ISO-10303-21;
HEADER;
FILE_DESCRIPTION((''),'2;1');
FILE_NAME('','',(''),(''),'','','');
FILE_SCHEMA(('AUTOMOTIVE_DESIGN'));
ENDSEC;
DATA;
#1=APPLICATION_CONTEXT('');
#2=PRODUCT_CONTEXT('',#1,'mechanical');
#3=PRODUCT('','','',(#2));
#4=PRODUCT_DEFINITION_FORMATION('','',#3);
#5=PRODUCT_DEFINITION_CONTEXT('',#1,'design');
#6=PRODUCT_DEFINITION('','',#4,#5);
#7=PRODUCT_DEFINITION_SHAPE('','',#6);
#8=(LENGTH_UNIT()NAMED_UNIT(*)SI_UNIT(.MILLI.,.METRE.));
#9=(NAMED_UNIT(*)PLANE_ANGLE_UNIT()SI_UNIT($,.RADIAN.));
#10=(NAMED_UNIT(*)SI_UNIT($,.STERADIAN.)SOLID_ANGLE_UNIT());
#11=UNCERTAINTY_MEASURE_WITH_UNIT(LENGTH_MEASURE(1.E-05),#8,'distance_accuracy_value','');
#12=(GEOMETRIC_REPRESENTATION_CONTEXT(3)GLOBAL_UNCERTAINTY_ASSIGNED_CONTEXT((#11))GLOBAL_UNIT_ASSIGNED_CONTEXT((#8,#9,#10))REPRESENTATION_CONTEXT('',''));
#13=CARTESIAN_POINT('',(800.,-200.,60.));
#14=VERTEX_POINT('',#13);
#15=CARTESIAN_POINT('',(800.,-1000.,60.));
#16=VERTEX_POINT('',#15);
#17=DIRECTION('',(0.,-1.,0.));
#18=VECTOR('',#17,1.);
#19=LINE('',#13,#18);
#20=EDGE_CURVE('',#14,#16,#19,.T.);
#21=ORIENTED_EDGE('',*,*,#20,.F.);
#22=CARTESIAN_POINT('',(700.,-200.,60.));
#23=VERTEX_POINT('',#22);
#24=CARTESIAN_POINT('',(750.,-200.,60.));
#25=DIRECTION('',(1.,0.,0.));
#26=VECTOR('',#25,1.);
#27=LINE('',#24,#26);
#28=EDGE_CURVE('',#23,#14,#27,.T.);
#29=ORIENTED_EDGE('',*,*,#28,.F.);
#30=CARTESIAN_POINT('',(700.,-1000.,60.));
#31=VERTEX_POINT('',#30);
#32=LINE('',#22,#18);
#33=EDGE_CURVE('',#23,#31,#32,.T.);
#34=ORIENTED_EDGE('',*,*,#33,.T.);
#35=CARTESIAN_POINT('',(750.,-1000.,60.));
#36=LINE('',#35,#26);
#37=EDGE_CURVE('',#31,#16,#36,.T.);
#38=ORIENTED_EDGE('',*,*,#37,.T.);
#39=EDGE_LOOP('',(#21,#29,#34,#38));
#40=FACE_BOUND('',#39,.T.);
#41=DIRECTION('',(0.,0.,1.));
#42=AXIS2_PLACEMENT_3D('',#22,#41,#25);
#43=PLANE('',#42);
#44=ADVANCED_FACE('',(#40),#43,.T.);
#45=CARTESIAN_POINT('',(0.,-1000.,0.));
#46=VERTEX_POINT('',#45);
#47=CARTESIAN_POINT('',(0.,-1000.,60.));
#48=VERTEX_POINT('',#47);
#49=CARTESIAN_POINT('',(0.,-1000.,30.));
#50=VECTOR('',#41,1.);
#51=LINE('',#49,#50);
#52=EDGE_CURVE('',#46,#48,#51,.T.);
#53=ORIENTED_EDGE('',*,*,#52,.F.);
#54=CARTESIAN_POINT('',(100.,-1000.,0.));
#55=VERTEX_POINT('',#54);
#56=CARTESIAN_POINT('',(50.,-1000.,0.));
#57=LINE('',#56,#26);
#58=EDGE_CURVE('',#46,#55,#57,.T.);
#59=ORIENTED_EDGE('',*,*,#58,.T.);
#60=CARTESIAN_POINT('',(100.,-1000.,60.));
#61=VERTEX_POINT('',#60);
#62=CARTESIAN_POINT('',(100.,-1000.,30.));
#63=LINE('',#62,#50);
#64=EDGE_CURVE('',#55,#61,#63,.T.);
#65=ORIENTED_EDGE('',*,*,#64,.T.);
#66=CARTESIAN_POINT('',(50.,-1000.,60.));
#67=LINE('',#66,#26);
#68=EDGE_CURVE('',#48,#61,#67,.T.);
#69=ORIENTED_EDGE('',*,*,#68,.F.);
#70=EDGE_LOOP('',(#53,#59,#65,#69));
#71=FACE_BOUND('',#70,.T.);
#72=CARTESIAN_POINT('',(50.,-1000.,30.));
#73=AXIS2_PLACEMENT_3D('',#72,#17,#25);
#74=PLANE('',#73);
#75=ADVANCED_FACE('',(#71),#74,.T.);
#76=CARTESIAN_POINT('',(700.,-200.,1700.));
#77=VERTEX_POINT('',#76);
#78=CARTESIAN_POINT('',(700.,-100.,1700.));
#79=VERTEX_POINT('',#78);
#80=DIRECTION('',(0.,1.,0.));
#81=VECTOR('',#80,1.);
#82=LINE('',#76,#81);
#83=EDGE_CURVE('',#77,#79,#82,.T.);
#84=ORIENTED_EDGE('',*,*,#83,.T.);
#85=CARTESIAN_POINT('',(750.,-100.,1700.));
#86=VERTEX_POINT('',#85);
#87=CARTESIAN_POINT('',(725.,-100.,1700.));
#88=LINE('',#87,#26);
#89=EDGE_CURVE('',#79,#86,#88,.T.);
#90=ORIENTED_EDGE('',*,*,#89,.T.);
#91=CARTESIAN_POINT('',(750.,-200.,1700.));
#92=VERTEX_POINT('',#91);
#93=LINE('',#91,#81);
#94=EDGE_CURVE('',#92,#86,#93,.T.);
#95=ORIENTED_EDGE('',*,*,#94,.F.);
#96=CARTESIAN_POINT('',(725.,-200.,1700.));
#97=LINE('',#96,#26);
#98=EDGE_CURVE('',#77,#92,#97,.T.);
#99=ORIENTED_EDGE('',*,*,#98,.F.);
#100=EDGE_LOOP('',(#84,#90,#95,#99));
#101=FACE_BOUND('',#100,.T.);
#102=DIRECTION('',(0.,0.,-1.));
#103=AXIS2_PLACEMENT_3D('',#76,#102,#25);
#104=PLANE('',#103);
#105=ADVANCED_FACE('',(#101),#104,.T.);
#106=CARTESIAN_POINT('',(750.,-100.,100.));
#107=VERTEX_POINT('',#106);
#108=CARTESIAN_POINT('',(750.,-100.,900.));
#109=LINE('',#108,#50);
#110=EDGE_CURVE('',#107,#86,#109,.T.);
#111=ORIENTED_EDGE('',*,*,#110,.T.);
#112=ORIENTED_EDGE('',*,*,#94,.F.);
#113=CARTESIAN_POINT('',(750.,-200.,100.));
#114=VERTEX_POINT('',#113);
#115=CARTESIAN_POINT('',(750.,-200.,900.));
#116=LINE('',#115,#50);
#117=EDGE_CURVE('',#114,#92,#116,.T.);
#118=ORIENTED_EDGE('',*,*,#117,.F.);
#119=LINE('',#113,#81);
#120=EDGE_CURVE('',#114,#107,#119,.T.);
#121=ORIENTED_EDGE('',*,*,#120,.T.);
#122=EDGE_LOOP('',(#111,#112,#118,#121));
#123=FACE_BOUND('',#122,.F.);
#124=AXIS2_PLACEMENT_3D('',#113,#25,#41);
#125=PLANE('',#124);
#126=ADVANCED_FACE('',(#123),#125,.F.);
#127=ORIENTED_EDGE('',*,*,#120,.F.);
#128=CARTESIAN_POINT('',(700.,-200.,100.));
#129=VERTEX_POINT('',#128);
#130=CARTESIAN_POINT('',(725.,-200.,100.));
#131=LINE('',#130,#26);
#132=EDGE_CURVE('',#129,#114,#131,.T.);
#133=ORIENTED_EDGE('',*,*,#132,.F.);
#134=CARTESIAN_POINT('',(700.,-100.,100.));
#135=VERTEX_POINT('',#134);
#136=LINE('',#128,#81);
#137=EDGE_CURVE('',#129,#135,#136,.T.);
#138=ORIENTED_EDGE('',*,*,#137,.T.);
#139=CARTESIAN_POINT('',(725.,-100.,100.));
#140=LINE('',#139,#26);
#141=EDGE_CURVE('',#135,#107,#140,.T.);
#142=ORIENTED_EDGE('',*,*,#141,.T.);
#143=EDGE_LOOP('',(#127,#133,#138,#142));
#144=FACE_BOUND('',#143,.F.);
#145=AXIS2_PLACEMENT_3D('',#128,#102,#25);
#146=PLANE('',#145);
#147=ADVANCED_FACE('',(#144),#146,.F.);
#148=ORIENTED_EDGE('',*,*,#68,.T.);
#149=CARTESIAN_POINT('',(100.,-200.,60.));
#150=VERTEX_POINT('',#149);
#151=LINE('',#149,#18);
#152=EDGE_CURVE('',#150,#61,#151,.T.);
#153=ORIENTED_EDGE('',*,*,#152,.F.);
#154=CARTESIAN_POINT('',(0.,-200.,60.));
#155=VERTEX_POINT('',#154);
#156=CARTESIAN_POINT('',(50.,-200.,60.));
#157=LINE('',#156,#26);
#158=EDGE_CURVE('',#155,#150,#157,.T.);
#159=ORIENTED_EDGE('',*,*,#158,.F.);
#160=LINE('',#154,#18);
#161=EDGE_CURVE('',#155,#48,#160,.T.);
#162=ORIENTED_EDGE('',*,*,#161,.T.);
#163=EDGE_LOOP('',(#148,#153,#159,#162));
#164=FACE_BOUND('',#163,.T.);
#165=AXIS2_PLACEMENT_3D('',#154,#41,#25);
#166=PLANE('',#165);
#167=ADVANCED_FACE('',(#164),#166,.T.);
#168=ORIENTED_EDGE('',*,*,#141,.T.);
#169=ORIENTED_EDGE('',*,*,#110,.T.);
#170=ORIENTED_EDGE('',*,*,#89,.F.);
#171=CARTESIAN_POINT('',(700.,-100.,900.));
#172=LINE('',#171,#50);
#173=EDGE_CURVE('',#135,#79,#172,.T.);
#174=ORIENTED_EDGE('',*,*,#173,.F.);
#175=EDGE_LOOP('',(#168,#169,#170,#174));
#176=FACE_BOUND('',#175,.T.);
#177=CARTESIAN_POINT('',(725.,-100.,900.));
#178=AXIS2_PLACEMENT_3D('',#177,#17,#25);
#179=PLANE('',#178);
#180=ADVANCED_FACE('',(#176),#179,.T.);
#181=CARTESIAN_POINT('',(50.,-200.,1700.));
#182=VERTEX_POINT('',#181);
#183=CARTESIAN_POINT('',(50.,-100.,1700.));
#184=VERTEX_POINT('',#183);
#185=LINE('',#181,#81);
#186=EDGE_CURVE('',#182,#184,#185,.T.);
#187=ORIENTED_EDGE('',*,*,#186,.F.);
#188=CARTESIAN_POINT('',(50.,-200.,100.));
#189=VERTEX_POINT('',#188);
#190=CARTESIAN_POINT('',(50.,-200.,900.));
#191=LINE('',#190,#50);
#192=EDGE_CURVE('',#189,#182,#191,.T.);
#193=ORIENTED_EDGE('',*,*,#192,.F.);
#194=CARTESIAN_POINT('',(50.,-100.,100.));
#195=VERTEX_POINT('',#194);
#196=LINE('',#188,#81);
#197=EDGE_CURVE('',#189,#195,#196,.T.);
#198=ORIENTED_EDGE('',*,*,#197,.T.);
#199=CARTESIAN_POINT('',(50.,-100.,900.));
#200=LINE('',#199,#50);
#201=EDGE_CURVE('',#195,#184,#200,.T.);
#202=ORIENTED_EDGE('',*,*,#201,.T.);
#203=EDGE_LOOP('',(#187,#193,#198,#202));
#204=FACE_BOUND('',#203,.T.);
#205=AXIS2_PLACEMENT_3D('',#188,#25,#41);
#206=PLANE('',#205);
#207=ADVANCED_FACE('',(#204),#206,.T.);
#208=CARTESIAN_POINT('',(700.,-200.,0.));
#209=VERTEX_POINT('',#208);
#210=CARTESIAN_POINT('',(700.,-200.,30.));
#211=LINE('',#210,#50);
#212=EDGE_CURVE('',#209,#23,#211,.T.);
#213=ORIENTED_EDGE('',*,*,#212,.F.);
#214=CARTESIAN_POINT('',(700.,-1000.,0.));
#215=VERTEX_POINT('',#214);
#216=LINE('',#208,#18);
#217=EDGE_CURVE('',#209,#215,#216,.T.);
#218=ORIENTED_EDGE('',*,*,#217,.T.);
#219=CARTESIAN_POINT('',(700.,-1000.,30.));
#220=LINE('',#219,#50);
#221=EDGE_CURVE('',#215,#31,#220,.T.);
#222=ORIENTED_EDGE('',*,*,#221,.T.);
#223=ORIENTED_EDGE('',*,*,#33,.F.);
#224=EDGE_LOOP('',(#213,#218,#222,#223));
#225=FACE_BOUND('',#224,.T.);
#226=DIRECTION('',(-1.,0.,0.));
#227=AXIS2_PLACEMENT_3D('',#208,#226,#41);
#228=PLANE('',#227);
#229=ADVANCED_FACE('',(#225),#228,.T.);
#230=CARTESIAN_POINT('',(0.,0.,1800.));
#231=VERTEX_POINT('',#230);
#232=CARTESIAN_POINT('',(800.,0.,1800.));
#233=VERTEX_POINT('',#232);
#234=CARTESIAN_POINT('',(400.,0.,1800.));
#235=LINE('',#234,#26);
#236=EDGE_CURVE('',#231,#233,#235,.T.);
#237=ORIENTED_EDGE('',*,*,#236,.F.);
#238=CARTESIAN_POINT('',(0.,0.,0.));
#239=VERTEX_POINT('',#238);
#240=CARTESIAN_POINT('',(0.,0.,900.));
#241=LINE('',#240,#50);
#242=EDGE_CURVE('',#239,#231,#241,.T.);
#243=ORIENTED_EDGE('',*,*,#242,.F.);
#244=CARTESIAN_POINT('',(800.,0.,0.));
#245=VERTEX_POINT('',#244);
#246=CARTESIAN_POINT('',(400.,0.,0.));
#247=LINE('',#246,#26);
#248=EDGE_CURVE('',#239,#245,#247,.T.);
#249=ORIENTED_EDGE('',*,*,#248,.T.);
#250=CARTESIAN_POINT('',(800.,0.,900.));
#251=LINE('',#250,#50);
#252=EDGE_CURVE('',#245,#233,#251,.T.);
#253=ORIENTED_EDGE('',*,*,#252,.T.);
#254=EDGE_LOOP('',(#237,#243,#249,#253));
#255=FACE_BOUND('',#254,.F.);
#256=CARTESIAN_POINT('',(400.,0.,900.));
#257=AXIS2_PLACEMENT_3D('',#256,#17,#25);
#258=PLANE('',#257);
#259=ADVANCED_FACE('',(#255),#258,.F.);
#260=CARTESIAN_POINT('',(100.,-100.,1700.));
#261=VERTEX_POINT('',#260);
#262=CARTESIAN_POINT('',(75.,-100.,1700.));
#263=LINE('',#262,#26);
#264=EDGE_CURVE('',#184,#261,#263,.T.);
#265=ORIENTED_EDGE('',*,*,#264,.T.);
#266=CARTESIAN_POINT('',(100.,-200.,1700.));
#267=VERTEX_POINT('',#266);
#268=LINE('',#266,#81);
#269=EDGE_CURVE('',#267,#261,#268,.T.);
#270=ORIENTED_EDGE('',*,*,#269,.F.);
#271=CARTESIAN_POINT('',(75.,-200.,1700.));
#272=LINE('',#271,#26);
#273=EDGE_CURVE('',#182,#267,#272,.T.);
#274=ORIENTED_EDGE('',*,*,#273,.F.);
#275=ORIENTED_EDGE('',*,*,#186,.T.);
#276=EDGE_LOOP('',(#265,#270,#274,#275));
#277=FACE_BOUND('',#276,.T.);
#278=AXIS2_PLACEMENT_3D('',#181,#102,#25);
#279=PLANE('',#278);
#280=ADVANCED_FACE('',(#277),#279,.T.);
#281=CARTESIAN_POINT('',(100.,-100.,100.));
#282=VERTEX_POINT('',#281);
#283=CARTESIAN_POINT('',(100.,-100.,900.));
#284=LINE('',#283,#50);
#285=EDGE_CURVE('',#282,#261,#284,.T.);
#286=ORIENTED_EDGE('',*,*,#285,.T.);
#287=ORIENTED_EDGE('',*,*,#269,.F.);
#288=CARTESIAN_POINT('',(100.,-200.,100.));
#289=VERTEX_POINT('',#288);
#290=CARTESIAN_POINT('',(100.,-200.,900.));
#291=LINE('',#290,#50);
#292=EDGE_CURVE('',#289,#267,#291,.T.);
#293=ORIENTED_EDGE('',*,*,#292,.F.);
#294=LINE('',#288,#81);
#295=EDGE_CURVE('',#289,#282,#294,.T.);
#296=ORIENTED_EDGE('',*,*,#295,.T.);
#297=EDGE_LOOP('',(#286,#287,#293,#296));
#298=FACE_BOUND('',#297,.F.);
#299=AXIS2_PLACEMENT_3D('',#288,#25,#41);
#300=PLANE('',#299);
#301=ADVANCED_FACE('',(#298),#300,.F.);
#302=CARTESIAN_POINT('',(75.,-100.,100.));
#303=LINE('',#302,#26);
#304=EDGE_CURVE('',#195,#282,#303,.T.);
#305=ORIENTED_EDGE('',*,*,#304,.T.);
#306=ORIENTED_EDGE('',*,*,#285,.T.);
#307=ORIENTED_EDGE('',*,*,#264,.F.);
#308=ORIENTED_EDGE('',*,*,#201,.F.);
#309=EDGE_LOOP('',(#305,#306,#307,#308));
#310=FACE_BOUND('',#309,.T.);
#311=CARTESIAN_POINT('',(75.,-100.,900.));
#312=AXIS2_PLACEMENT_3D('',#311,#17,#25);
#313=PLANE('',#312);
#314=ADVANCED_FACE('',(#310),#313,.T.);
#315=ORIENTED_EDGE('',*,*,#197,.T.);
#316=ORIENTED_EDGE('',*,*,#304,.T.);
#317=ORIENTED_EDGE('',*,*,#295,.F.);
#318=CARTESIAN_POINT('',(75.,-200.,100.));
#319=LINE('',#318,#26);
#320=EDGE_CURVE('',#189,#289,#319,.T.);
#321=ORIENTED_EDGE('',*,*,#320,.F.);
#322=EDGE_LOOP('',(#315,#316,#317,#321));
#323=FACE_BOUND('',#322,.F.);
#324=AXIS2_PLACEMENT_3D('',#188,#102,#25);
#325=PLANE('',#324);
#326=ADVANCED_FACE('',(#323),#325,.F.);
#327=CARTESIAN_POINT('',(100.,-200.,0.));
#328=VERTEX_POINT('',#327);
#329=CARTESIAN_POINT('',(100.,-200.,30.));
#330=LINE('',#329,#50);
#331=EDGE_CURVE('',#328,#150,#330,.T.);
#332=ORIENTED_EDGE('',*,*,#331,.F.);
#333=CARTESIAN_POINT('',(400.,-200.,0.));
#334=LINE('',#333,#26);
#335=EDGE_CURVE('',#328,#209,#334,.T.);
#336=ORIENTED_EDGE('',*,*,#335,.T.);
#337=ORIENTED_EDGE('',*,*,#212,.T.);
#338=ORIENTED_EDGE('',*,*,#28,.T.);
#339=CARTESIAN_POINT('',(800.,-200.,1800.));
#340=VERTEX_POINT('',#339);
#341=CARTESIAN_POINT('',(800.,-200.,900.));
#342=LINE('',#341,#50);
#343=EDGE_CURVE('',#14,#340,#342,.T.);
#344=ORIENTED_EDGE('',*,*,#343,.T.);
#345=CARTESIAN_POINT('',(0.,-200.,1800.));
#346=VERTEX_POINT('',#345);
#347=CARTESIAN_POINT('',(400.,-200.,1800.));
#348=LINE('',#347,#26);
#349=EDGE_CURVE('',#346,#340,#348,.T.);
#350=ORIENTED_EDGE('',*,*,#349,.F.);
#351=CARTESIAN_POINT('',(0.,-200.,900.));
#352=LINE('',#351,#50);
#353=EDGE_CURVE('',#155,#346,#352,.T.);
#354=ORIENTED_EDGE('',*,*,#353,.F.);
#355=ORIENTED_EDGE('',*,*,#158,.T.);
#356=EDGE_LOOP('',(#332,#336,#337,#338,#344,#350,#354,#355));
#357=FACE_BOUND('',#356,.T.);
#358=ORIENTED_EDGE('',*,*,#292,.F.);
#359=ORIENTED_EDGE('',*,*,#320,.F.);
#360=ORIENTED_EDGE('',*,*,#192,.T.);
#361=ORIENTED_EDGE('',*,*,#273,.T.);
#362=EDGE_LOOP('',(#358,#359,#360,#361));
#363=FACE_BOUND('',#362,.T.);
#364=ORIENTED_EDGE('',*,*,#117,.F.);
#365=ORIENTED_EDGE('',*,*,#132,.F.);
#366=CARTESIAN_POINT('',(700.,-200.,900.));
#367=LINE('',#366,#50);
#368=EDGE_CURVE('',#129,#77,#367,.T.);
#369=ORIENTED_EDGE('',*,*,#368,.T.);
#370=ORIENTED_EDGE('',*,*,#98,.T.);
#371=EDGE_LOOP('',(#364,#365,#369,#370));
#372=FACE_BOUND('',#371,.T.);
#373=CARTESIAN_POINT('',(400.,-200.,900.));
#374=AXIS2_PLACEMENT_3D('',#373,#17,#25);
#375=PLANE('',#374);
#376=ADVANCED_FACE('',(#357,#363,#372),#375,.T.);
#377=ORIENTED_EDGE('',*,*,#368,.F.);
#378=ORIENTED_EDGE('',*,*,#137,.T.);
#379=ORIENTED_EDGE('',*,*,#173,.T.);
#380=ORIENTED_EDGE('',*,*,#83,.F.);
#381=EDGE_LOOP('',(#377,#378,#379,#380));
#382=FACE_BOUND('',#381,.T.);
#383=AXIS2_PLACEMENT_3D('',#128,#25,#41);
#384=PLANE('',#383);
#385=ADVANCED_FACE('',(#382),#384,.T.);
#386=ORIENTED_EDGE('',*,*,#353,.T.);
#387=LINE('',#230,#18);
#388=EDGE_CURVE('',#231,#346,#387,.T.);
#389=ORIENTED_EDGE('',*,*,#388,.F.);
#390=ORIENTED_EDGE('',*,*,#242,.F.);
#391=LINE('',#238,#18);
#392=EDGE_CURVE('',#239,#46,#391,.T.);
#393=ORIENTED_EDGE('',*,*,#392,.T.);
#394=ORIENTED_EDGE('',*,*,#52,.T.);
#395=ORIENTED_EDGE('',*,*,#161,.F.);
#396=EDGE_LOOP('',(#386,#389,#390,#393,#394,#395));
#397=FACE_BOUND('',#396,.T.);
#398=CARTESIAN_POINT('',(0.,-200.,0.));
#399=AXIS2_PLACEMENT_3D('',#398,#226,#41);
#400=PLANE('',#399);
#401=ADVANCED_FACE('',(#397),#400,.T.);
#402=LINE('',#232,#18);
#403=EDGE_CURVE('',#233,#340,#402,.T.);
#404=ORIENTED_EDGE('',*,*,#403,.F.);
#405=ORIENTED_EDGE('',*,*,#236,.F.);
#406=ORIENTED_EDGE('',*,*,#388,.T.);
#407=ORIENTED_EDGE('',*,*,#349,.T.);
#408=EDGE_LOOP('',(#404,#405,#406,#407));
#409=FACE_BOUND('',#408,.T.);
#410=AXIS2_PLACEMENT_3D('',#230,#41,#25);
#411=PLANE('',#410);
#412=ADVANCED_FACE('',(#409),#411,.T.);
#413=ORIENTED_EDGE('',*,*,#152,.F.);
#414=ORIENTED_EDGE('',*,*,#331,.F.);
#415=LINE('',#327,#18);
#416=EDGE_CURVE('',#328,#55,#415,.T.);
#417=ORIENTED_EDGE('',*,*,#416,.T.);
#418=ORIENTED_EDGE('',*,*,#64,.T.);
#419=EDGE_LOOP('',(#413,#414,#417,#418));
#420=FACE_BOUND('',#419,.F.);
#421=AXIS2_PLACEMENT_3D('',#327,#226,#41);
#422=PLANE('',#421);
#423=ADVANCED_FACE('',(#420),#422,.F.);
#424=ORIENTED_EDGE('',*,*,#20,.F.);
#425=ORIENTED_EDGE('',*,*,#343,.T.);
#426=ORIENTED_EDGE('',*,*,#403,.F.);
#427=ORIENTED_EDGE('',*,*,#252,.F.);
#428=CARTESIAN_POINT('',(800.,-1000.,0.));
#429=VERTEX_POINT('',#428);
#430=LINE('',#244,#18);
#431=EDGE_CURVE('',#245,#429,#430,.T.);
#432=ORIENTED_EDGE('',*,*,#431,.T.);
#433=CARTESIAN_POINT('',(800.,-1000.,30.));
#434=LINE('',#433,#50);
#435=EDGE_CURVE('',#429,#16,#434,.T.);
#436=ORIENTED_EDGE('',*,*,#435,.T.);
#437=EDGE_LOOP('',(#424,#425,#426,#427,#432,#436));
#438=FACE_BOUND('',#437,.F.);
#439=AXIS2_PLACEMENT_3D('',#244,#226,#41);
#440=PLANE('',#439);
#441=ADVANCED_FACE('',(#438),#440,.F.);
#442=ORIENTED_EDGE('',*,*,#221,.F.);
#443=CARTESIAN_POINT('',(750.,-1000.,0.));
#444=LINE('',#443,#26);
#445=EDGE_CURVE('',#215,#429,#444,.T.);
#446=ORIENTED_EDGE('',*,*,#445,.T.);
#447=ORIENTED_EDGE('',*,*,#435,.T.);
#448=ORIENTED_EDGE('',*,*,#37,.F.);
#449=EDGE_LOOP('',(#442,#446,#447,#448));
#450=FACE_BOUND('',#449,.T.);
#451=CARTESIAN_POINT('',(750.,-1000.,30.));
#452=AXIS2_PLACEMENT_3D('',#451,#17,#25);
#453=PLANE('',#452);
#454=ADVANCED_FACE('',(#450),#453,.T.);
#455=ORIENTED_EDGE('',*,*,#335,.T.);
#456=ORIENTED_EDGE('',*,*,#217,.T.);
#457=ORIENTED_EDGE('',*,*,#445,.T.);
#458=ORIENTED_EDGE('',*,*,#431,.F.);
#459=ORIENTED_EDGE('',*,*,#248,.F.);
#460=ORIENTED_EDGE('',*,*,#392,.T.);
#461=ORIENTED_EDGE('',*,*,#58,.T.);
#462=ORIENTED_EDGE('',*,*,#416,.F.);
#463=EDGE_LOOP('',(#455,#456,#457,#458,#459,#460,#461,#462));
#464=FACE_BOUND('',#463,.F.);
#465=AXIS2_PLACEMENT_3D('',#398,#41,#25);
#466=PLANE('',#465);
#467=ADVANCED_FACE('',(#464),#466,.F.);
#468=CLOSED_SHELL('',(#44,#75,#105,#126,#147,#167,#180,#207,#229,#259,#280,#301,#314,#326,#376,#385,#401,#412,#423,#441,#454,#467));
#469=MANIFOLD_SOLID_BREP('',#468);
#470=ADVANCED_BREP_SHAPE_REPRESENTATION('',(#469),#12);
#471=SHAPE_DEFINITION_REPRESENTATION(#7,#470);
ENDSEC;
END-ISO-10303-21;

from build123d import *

# Parameters (mm, degrees)
F0_W     = 800
F0_H     = 1800
F1_DEPTH = 200
F3_W     = 50
F3_H     = 1600
F4_DEPTH = 100
F5_W     = 100
F5_H     = 60
F6_DEPTH = 800


with BuildPart() as f1:
    # F0 (on Front) → F1 (new body)
    with BuildSketch(Plane.XZ):
        with Locations((400, 900)):
            Rectangle(F0_W, F0_H)
    extrude(amount=F1_DEPTH)

    # F3 (on face) → F4 (cut)
    with BuildSketch(Plane.XZ.offset(200)):
        with Locations((75, 900)):
            Rectangle(F3_W, F3_H)
        with Locations((725, 900)):
            Rectangle(F3_W, F3_H)
    extrude(amount=-F4_DEPTH, mode=Mode.SUBTRACT)

    # F5 (on face) → F6 (join)
    with BuildSketch(Plane.XZ.offset(200)):
        with Locations((50, 30)):
            Rectangle(F5_W, F5_H)
        with Locations((750, 30)):
            Rectangle(F5_W, F5_H)
    extrude(amount=F6_DEPTH)


solid = f1.part
